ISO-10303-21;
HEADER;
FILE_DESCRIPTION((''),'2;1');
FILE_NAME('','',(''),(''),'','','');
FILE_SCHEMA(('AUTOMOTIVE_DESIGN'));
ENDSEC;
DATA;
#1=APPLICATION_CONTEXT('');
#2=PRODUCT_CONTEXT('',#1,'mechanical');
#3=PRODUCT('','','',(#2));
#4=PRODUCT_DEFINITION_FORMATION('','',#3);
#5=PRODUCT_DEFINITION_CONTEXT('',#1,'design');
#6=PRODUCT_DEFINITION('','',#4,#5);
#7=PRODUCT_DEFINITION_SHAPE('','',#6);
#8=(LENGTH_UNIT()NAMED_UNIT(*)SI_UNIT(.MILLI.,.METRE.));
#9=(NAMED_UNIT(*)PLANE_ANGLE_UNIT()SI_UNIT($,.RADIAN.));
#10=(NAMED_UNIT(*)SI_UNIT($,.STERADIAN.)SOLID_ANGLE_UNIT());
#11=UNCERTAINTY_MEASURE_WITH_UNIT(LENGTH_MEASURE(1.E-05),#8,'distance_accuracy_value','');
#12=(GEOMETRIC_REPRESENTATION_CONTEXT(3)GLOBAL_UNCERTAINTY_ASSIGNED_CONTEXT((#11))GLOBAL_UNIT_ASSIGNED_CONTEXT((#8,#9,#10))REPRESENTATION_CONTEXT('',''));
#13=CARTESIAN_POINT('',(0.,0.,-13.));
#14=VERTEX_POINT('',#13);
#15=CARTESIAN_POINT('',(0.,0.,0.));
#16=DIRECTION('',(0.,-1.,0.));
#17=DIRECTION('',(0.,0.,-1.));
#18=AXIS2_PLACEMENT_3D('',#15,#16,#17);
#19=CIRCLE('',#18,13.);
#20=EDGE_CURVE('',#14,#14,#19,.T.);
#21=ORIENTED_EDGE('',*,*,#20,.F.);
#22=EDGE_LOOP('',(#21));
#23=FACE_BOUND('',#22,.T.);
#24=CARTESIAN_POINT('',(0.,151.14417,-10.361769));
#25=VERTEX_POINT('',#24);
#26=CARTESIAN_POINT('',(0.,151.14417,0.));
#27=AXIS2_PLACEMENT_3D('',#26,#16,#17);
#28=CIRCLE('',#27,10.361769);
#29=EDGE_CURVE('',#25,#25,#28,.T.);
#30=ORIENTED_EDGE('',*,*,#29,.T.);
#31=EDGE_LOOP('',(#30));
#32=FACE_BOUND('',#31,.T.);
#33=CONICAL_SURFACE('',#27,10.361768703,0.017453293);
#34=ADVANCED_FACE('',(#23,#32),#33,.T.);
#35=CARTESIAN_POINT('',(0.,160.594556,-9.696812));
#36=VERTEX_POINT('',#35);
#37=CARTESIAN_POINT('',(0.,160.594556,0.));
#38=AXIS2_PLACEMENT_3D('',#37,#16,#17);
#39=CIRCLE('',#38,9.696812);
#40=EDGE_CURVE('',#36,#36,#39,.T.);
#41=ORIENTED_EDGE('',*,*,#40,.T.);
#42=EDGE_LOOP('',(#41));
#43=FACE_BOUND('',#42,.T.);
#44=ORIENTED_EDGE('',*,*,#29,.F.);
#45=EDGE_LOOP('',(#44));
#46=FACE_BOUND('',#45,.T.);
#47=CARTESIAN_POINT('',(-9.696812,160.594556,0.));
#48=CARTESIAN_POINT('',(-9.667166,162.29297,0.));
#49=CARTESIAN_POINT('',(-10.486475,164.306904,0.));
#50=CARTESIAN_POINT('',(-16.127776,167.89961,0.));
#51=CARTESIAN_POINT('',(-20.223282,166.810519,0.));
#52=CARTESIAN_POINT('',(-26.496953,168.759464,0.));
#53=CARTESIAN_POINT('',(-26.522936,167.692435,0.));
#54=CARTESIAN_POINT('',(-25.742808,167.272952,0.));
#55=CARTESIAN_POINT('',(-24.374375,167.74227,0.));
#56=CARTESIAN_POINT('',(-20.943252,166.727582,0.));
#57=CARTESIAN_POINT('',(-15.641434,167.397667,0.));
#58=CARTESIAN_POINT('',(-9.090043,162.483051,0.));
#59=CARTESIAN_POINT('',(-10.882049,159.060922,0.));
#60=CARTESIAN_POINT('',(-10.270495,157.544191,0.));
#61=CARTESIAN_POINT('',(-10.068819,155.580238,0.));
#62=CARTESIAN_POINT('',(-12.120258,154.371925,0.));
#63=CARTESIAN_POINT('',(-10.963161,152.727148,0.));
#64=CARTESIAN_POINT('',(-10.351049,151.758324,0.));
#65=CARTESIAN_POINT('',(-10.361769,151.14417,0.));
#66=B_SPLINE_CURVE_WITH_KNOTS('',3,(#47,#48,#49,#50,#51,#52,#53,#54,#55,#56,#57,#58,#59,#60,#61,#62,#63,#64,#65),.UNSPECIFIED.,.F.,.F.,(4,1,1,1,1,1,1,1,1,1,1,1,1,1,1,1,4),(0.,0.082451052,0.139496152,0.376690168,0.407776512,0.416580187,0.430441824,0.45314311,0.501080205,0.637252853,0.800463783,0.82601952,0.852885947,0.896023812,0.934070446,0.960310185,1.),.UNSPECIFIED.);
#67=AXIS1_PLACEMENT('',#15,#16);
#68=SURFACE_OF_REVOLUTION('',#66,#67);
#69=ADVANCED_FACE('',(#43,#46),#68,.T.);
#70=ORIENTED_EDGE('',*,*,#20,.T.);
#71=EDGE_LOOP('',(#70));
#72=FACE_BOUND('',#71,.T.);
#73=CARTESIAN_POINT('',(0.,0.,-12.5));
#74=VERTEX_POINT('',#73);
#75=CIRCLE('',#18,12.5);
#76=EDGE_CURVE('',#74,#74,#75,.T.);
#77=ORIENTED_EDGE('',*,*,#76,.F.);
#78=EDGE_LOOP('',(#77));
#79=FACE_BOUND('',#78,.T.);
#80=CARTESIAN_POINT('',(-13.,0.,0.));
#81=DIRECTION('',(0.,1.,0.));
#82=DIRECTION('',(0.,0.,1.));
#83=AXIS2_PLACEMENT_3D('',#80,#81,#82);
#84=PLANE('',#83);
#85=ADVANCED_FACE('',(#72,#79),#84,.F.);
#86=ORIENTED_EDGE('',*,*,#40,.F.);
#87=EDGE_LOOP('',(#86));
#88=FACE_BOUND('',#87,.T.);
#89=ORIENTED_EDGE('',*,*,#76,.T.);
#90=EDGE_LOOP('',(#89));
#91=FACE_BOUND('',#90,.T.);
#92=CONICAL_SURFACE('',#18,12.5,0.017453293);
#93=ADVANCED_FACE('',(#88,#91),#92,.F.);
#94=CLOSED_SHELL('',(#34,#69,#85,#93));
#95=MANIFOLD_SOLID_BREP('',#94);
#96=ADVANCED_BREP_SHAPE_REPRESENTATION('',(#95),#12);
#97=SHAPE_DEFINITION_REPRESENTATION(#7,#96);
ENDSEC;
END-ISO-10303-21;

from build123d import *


with BuildPart() as part:
    # Sketch1 → Revolve1 (revolve)
    with BuildSketch(Plane.XY, mode=Mode.PRIVATE) as revolve1_sk:
        with BuildLine():
            Line((-12.5, 0), (-9.696811606, 160.594555534))
            add(Edge.make_bspline(
                [(-9.696811606, 160.594555534), (-9.667165677, 162.292969697), (-10.486474841, 164.306904024), (-16.127775715, 167.89961041), (-20.223282178, 166.810519428), (-26.496953336, 168.759464307), (-26.522935658, 167.692435245), (-25.742807529, 167.272952369), (-24.374375442, 167.742269988), (-20.943251814, 166.727581792), (-15.641433914, 167.397666688), (-9.09004311, 162.483051317), (-10.8820492, 159.060921848), (-10.270495232, 157.544190843), (-10.068819251, 155.580238233), (-12.120258118, 154.371924787), (-10.963160869, 152.727148493), (-10.351048609, 151.758323561), (-10.361768703, 151.144169777)],
                knots=[0, 0, 0, 0, 0.082451052, 0.139496152, 0.376690168, 0.407776512, 0.416580187, 0.430441824, 0.45314311, 0.501080205, 0.637252853, 0.800463783, 0.82601952, 0.852885947, 0.896023812, 0.934070446, 0.960310185, 1, 1, 1, 1], degree=3))
            Line((-10.361768703, 151.144169777), (-13, 0))
            Line((-13, 0), (-12.5, 0))
        make_face()
    revolve(revolve1_sk.sketch.rotate(Axis((0, 0, 0), (0, 1, 0)), 270), axis=Axis((0, 0, 0), (0, 1, 0)))


solid = part.part
